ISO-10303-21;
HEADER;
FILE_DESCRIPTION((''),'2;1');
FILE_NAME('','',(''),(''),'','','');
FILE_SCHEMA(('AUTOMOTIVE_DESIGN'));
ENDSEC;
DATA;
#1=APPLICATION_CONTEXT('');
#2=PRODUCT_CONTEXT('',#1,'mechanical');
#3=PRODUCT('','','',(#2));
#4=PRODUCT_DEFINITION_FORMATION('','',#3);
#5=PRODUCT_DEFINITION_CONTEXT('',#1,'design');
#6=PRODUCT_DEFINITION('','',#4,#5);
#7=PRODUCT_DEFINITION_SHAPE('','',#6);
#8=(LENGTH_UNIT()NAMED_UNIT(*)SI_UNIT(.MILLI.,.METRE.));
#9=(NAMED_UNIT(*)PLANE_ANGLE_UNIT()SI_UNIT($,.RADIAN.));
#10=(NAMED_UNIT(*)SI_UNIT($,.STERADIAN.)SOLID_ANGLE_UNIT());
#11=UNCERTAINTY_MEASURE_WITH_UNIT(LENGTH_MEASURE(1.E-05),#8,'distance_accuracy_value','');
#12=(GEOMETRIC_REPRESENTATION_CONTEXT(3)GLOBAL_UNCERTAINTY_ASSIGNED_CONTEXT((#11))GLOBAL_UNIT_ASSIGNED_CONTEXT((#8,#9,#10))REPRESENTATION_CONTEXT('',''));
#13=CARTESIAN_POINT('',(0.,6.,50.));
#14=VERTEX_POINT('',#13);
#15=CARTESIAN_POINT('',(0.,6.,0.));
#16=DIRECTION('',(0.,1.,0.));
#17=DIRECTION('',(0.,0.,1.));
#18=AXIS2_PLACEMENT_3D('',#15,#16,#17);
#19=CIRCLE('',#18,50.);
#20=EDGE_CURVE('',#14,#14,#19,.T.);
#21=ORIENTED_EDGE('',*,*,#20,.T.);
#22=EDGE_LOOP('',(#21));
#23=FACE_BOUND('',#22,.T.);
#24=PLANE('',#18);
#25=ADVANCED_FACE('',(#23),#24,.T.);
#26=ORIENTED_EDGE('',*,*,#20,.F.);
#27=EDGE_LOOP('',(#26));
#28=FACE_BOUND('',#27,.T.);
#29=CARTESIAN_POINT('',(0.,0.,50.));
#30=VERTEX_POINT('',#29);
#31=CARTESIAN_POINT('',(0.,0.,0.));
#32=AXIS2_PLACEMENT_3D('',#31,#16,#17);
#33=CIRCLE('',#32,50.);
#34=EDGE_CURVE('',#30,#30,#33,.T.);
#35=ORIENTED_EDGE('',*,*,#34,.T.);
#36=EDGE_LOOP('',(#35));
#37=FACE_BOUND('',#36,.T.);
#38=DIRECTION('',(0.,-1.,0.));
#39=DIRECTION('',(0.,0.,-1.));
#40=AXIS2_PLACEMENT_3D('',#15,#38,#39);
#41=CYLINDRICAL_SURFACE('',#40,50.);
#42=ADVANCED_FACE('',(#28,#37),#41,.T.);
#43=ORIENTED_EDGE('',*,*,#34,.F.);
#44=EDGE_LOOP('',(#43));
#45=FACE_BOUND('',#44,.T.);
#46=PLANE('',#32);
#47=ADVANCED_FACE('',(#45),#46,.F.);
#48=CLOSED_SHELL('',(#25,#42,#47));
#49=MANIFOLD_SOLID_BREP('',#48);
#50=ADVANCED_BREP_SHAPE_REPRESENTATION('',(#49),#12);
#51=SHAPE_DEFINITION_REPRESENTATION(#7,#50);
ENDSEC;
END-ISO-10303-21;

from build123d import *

# Parameters (mm, degrees)
SCHIZZO1_R                   = 50
ESTRUSIONE_ESTRUSIONE1_DEPTH = 6


with BuildPart() as part:
    # Schizzo1 → Estrusione-Estrusione1 (new body)
    with BuildSketch(Plane(origin=(0, 0, 0), x_dir=(1, 0, 0), z_dir=(0, 1, 0))):
        with Locations(Location((0, 0, 0), (0, 0, 270))):
            Circle(SCHIZZO1_R)
    extrude(amount=ESTRUSIONE_ESTRUSIONE1_DEPTH)


solid = part.part
